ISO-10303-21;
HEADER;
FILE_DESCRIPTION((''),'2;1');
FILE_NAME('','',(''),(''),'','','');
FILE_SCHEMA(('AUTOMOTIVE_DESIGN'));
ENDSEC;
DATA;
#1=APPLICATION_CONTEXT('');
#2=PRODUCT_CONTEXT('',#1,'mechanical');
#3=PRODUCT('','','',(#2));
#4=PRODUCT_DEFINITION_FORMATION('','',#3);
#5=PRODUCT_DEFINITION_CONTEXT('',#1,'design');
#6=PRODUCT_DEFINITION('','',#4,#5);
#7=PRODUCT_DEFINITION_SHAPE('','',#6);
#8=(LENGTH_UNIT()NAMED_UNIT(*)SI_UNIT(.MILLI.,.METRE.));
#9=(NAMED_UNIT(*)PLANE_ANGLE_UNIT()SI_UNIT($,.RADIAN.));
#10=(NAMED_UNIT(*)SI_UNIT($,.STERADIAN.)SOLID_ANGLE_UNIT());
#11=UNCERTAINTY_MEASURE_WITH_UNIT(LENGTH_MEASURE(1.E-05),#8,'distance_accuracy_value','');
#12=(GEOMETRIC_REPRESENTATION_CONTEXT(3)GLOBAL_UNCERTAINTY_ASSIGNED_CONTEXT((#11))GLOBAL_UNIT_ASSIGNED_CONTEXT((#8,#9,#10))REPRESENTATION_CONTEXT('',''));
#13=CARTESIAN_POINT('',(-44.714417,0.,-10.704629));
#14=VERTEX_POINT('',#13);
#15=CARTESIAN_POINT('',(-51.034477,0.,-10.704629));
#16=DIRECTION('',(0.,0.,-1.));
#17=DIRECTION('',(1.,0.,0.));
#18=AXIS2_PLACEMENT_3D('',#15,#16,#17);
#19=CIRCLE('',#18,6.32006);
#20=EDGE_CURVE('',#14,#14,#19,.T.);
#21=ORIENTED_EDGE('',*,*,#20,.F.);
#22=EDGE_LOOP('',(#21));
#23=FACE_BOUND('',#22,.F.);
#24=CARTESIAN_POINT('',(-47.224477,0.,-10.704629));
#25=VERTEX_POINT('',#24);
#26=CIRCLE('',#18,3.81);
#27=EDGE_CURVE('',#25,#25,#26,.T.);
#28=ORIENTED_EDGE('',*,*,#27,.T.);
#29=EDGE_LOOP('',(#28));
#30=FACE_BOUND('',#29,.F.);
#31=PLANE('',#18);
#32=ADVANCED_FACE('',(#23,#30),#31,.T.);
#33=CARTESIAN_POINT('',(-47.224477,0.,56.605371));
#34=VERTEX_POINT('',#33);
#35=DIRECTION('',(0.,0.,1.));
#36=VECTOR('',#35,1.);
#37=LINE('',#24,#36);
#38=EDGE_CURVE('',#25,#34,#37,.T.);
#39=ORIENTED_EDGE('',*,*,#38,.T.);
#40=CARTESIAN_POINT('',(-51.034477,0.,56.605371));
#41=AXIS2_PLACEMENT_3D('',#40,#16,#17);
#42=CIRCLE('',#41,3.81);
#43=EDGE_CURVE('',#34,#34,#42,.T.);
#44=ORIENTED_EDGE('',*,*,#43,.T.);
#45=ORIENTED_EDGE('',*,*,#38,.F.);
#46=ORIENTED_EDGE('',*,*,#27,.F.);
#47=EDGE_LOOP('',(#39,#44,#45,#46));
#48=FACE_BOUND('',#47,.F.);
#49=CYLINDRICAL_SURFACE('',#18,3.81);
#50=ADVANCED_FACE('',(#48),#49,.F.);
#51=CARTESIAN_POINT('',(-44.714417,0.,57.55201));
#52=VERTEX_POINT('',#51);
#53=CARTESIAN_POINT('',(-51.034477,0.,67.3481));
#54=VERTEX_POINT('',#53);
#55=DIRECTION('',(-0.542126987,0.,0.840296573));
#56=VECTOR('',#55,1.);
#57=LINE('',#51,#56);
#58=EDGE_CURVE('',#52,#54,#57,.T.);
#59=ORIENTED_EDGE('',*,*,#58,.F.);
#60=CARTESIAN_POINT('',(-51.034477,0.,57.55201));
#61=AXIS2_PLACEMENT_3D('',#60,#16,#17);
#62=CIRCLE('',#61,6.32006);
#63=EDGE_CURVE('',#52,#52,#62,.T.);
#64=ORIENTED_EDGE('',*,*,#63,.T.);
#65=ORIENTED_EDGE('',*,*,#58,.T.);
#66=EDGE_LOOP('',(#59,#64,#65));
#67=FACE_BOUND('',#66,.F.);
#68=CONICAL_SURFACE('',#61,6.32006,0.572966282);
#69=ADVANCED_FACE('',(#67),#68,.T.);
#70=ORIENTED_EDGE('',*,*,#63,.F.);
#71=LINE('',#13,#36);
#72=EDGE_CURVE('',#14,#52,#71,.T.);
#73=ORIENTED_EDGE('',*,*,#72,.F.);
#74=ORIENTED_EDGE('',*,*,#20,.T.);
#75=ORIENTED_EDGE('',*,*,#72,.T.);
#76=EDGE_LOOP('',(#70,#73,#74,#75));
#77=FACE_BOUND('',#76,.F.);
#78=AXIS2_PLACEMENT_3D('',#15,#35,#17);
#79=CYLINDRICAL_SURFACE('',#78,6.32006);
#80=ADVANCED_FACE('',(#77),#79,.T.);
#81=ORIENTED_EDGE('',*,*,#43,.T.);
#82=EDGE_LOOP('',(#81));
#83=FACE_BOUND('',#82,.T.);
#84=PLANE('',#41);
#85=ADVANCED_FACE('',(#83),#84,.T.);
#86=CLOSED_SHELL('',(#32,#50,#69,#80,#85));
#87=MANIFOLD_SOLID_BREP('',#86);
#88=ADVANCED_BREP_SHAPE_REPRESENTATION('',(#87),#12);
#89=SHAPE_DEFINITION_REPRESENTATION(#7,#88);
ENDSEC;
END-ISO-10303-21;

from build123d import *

# Parameters (mm, degrees)
F2_R     = 3.81
F3_DEPTH = 67.31


with BuildPart() as f1:
    # F0 (on Front) → F1 (revolve)
    with BuildSketch(Plane.XZ):
        Polygon((-44.714417, 57.55201), (-51.034477, 67.3481), (-51.034477, -10.704629), (-44.714417, -10.704629), align=None)
    revolve(axis=Axis((-51.034477, 0, 28.321736), (0, 0, -1)))

    # F2 (on face) → F3 (cut)
    with BuildSketch(Plane(origin=(0, 0, -10.704629), x_dir=(1, 0, 0), z_dir=(0, 0, -1))):
        with Locations((-51.034477, 0)):
            Circle(F2_R)
    extrude(amount=-F3_DEPTH, mode=Mode.SUBTRACT)


solid = f1.part
